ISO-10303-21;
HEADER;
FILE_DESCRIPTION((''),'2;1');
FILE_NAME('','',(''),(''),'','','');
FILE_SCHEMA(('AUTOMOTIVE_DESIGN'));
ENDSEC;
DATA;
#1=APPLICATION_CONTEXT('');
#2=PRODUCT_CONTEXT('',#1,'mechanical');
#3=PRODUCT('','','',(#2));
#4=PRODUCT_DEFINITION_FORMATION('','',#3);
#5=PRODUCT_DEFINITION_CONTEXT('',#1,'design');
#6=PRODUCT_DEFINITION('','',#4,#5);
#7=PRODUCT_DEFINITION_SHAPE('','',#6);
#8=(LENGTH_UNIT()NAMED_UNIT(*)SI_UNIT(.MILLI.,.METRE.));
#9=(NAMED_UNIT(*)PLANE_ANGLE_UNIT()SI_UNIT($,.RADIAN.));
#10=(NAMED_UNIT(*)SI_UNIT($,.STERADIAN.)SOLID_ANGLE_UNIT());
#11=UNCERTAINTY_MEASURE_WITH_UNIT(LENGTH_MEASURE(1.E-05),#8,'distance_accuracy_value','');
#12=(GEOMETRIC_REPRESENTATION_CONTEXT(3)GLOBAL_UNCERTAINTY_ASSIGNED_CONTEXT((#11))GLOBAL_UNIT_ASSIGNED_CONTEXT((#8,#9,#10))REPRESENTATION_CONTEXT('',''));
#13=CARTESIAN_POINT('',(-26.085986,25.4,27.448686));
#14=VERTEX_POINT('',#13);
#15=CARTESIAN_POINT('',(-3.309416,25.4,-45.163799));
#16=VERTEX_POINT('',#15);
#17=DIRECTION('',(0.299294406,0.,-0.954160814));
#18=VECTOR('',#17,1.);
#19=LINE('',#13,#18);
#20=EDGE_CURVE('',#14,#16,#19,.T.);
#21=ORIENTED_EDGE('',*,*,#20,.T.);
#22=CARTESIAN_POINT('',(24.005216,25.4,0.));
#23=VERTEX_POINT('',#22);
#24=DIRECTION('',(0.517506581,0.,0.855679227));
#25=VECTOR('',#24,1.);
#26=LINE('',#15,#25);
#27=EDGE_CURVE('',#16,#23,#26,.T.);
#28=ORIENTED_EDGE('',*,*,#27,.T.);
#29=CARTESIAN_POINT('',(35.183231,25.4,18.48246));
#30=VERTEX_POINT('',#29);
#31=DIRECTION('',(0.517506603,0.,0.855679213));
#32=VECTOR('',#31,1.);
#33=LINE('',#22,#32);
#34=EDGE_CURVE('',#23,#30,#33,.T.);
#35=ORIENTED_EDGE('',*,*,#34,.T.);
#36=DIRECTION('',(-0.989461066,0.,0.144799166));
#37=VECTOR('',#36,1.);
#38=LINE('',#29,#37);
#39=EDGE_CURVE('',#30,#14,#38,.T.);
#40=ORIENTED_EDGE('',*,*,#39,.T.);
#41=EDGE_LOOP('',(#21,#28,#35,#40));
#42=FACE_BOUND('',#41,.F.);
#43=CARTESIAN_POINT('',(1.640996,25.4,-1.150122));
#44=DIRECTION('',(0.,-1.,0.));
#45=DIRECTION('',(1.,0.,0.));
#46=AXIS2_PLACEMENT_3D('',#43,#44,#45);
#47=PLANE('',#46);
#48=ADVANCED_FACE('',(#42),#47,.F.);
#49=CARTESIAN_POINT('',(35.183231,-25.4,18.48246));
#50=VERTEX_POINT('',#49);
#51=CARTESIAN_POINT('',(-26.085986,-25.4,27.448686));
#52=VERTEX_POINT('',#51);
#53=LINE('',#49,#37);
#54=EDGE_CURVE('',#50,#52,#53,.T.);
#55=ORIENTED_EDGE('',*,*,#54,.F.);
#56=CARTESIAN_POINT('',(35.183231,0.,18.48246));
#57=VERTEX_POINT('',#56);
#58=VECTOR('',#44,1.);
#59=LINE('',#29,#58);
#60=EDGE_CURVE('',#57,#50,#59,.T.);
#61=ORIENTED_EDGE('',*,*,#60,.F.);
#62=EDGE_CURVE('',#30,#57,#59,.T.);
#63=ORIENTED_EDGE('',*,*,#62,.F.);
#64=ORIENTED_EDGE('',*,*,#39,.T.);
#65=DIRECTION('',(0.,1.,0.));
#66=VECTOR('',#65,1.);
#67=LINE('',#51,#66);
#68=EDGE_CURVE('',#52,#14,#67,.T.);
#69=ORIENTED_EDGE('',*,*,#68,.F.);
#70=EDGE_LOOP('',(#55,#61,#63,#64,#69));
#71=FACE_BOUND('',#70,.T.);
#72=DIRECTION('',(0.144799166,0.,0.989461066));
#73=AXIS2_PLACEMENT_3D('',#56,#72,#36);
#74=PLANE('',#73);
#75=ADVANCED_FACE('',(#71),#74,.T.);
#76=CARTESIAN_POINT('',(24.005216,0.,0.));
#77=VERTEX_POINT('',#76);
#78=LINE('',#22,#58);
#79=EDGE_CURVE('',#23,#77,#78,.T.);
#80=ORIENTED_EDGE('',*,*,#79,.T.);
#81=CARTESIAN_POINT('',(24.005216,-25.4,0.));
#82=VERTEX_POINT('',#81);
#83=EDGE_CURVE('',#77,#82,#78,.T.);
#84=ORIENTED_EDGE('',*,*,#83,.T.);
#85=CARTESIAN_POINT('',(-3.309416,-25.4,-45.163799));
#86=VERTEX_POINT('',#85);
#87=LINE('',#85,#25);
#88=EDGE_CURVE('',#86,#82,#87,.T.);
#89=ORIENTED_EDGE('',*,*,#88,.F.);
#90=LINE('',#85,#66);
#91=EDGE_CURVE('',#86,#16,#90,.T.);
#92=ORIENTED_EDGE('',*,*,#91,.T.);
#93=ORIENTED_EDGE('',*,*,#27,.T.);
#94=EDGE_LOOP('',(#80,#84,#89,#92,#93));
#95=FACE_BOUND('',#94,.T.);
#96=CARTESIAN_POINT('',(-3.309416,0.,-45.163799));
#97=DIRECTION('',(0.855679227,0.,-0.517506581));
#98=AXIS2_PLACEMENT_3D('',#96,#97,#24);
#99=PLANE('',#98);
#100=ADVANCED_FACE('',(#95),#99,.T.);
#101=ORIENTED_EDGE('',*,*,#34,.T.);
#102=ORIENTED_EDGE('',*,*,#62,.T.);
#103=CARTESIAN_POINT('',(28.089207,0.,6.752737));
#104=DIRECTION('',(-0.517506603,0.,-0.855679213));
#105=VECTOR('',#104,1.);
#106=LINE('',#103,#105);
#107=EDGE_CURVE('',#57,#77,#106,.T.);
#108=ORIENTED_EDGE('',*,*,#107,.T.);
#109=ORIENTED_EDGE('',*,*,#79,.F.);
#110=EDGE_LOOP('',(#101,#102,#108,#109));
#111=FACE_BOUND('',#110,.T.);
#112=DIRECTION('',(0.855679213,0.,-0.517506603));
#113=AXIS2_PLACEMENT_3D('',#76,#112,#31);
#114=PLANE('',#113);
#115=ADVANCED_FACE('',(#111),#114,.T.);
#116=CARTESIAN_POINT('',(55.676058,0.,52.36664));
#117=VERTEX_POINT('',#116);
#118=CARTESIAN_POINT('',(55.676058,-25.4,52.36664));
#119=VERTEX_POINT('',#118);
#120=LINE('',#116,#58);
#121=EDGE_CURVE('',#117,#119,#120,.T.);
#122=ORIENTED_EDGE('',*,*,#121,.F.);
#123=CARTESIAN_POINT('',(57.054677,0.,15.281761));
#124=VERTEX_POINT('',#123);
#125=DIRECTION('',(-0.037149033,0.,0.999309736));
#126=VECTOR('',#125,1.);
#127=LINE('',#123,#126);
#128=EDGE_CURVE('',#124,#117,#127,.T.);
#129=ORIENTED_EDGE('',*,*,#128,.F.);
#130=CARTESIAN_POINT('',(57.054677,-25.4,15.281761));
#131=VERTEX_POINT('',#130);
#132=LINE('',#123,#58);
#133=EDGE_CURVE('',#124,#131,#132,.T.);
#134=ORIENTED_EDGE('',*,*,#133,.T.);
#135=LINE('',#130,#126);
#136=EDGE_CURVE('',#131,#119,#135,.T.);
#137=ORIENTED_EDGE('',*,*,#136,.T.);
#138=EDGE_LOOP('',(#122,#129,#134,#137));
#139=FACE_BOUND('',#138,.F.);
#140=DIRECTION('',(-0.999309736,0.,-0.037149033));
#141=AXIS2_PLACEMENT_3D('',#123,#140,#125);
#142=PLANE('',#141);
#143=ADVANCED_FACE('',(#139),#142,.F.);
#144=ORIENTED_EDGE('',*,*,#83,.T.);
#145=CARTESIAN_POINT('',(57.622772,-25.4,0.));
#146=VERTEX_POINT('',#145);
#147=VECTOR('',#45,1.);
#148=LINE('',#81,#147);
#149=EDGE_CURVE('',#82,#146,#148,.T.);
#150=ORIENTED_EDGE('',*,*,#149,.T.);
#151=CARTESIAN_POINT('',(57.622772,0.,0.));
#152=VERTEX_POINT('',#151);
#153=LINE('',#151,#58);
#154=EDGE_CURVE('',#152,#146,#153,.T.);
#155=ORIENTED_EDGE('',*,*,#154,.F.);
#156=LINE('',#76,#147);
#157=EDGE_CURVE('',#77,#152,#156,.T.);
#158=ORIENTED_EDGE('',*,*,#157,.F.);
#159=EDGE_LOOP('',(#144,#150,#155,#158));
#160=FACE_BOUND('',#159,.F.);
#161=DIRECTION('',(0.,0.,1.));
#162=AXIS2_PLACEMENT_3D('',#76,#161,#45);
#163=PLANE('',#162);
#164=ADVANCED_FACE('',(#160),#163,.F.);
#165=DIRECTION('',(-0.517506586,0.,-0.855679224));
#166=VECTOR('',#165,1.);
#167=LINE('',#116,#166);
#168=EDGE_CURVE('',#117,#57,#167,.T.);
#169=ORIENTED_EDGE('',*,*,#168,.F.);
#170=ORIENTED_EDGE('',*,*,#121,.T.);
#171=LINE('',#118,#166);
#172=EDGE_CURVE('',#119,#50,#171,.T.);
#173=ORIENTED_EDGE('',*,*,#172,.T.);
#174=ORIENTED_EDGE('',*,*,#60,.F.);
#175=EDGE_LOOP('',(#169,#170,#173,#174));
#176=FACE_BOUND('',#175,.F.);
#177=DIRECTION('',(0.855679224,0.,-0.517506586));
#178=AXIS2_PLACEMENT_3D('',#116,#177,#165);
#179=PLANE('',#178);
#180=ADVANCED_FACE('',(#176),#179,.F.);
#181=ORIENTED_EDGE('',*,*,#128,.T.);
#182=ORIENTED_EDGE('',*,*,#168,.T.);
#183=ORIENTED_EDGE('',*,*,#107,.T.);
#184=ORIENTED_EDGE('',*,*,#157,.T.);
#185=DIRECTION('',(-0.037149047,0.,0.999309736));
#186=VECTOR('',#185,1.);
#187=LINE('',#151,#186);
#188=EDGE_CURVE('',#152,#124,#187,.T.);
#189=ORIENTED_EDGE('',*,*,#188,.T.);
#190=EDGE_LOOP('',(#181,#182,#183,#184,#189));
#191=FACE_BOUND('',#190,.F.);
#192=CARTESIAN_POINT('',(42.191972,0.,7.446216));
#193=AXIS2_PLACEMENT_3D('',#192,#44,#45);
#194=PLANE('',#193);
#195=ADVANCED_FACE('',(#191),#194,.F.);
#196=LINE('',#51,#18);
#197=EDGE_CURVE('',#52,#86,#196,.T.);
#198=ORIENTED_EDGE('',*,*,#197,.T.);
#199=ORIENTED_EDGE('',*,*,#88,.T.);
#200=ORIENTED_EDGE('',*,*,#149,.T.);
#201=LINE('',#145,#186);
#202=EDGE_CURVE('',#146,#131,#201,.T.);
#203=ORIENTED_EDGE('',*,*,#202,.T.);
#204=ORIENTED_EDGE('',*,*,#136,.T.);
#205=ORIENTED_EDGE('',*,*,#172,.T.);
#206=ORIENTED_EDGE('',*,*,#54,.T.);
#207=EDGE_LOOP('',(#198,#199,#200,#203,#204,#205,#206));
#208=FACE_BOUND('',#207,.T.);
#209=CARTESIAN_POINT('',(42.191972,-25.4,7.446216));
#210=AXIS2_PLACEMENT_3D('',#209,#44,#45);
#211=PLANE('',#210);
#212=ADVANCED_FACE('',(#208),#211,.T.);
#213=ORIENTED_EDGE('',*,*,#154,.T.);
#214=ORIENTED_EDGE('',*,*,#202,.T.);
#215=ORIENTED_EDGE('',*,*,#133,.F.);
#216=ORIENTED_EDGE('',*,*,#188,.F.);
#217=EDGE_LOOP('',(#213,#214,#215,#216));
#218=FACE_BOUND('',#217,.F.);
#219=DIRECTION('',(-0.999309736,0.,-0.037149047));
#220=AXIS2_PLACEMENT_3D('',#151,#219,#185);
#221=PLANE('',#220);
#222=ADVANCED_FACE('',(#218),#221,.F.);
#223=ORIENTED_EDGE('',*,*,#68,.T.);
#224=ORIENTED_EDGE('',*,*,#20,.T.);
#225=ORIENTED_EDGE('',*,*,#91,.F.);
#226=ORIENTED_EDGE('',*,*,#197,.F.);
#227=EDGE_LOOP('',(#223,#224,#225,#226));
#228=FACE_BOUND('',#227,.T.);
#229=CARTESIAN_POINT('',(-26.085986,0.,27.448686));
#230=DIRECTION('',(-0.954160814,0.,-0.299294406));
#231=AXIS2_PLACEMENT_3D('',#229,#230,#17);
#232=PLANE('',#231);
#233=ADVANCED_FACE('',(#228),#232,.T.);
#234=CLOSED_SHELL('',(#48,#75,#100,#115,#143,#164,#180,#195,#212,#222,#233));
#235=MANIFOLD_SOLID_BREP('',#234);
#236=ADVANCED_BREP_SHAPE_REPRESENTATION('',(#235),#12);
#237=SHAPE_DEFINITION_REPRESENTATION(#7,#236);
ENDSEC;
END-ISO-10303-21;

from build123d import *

# Parameters (mm, degrees)
F1_DEPTH      = 25.4
F1_DEPTH_BACK = 25.4
F2_DEPTH      = 25.4


with BuildPart() as f1:
    # F0 (on Front) → F1 (new body, two sides)
    with BuildSketch(Plane.XZ) as f1_sk:
        Polygon((-3.309416, -45.163799), (24.005216, 0), (35.183231, 18.48246), (-26.085986, 27.448686), align=None)
    extrude(amount=F1_DEPTH)
    extrude(f1_sk.sketch, amount=-F1_DEPTH_BACK)

    # F0 (on Front) → F2 (join)
    with BuildSketch(Plane.XZ):
        Polygon((35.183231, 18.48246), (24.005216, 0), (31.73146, 0), (53.924017, 0), (57.622772, 0), (57.054677, 15.281761), align=None)
        Polygon((-3.309416, -45.163799), (24.005216, 0), (35.183231, 18.48246), (-26.085986, 27.448686), align=None)
        Polygon((55.676058, 52.36664), (35.183231, 18.48246), (57.054677, 15.281761), align=None)
    extrude(amount=F2_DEPTH)


solid = f1.part
